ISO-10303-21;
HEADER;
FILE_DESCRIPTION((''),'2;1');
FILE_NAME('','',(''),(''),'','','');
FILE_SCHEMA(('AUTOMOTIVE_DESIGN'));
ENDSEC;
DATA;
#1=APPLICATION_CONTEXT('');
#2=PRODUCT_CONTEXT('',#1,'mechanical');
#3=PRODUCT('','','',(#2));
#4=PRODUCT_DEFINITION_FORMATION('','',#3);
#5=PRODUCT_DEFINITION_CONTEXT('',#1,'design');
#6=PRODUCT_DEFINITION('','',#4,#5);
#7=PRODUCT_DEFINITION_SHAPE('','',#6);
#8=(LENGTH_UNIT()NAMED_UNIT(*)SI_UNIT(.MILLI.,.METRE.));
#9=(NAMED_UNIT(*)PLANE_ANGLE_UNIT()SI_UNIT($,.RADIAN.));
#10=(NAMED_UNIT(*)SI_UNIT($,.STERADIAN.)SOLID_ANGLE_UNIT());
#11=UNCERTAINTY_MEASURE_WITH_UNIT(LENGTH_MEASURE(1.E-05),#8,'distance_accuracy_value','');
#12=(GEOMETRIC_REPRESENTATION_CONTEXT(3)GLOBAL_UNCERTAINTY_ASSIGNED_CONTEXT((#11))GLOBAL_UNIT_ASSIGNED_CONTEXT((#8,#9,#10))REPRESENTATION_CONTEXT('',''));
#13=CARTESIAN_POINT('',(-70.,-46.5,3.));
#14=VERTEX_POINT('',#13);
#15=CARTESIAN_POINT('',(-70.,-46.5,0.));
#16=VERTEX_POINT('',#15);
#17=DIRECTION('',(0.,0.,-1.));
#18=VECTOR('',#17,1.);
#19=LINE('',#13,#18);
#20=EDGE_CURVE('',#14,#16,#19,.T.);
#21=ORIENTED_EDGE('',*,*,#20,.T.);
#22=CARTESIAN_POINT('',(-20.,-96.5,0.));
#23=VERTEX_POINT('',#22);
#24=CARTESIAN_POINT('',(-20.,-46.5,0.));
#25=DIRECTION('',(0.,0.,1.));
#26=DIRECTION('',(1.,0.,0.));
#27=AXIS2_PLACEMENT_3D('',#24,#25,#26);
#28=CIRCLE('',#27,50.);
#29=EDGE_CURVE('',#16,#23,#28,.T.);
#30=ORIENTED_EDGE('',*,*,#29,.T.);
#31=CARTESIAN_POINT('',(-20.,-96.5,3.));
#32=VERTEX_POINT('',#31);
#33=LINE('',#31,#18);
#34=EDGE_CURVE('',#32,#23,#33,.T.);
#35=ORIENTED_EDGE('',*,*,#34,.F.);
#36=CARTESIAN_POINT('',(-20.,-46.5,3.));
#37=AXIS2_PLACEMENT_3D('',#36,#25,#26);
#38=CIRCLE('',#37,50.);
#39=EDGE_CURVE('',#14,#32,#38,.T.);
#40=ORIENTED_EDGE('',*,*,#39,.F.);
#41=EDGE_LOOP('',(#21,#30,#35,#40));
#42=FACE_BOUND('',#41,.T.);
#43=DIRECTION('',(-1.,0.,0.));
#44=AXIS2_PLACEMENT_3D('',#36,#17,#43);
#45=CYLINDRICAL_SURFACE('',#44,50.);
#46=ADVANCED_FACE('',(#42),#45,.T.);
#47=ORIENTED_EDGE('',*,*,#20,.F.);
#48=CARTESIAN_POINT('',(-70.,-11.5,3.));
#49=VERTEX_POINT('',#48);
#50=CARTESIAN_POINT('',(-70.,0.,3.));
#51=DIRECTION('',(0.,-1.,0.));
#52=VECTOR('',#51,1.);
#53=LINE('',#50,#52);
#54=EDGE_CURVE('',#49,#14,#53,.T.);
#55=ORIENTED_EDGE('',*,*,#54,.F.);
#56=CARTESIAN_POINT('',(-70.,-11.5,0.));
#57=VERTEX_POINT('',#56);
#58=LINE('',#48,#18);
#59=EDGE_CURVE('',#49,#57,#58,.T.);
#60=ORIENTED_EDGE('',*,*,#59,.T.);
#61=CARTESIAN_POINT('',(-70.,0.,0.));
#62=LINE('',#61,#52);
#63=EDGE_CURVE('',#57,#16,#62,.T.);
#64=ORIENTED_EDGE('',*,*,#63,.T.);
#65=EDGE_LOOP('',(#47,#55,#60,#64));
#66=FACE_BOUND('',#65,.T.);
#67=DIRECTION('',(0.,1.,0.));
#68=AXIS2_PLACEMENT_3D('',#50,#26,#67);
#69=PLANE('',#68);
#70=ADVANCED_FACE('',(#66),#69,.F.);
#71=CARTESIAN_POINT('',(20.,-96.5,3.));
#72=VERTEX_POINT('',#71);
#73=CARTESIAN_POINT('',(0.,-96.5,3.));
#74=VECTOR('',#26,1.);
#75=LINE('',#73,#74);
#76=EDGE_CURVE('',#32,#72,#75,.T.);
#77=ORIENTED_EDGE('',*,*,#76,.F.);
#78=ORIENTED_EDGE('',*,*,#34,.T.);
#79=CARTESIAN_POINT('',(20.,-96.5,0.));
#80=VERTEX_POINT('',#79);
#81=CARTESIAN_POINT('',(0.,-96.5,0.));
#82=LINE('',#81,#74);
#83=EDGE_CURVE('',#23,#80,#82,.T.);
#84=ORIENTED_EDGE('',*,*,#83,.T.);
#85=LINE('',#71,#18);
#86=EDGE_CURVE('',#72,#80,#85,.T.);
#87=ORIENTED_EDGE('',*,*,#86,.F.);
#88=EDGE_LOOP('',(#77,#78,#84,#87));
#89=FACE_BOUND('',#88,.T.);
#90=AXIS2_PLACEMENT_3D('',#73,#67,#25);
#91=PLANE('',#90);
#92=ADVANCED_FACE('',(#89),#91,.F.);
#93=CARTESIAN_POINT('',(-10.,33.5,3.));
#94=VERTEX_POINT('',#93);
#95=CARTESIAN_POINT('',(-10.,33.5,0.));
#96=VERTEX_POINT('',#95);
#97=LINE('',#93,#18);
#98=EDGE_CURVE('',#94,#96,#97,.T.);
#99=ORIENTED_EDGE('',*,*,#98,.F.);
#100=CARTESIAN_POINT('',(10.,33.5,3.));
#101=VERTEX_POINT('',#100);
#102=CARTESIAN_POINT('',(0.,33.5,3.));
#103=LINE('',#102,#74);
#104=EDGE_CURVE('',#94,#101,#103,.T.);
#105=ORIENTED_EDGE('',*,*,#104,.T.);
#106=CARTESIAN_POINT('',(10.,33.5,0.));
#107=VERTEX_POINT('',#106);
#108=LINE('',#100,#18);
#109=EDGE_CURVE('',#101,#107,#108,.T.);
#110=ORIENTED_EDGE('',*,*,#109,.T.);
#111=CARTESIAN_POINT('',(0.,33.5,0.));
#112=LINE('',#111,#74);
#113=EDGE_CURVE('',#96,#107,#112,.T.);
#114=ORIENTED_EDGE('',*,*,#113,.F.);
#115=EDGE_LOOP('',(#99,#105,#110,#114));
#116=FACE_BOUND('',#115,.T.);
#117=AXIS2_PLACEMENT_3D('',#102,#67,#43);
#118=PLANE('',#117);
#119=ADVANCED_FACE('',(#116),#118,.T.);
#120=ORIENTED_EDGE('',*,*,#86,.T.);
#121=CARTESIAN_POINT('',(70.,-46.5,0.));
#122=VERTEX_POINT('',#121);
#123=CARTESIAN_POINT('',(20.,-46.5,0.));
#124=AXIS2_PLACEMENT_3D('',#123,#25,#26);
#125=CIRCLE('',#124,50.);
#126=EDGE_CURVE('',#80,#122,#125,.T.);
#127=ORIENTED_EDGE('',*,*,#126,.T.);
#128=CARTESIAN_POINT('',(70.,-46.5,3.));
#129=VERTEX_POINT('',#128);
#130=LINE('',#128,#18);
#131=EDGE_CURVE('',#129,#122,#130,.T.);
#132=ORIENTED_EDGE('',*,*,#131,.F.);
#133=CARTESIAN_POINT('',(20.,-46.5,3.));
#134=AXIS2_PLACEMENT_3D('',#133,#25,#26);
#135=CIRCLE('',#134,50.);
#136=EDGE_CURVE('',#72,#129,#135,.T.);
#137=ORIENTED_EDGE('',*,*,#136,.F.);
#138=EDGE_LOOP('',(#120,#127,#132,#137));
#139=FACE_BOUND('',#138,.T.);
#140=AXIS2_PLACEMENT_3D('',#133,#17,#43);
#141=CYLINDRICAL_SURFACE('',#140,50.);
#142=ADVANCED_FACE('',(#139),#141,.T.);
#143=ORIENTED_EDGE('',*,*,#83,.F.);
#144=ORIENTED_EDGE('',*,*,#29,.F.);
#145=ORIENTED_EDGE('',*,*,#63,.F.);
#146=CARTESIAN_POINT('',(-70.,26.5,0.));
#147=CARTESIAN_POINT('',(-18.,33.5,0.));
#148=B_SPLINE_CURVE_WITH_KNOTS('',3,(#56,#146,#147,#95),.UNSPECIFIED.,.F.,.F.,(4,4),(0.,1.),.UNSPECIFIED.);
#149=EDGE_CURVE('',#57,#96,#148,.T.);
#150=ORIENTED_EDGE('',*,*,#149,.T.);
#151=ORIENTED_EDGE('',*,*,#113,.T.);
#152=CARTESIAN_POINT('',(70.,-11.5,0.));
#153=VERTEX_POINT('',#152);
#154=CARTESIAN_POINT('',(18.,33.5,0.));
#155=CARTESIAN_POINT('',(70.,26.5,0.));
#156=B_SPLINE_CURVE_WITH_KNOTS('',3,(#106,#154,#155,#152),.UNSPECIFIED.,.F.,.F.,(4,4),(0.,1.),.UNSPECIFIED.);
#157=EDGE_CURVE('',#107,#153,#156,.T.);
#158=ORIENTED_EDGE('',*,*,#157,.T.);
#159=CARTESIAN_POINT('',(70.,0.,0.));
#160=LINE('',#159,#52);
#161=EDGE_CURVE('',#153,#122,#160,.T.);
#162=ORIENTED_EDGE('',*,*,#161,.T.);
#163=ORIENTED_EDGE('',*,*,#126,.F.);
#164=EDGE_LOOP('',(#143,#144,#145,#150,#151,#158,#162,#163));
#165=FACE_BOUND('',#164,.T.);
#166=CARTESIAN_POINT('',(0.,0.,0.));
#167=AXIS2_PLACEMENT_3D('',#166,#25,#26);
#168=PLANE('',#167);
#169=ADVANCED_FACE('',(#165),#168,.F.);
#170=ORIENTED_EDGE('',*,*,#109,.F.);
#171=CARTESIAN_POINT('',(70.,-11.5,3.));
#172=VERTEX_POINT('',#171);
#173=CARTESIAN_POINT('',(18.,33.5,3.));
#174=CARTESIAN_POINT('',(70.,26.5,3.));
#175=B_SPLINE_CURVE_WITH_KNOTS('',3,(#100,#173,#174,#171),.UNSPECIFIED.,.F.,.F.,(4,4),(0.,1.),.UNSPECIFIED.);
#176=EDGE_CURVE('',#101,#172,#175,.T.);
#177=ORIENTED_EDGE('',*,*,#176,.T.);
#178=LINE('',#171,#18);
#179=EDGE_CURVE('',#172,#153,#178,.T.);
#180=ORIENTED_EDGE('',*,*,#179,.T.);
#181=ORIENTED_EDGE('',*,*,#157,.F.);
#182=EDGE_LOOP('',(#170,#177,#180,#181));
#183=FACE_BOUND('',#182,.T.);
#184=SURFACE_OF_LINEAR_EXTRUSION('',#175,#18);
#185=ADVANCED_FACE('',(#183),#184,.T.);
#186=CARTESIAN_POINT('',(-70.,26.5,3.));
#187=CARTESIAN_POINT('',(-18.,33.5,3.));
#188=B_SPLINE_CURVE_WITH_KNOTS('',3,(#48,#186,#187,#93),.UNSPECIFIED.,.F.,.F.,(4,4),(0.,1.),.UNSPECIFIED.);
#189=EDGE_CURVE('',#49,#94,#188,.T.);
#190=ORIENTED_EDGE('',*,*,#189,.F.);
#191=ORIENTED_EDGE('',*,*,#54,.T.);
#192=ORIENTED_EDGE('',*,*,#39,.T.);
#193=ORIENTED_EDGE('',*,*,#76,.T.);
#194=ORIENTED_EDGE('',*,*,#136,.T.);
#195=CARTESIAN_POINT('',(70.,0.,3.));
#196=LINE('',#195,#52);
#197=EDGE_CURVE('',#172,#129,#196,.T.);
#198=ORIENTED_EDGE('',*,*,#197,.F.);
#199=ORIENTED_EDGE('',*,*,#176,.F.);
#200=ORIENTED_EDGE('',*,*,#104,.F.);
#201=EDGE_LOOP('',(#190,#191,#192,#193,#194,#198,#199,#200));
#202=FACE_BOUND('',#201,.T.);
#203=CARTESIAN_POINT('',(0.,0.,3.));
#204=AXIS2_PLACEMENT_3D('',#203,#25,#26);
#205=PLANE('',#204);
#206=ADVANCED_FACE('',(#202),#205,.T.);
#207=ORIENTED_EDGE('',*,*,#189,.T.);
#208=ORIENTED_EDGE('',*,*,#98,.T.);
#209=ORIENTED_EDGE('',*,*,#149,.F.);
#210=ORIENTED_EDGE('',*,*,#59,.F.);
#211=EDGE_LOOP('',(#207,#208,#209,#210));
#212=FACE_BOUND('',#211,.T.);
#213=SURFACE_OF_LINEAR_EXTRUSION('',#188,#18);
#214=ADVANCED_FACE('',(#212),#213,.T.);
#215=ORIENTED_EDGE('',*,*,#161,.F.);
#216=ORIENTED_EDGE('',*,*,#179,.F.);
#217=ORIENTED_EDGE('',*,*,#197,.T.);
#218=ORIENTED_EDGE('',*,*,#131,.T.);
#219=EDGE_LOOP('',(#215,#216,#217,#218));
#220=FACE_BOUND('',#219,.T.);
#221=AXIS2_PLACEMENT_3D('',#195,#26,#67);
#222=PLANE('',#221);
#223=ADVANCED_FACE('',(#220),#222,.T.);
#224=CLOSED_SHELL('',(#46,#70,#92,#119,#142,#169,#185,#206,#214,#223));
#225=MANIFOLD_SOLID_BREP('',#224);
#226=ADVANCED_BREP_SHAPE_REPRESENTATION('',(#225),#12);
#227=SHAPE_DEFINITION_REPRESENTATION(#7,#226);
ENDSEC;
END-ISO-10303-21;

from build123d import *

# Parameters (mm, degrees)
BOSS_EXTRUDE1_DEPTH = 3


with BuildPart() as part:
    # Sketch1 → Boss-Extrude1 (new body)
    with BuildSketch(Plane.XY):
        with BuildLine():
            add(Edge.make_bspline(
                [(-70, -11.5), (-70, 26.5), (-18, 33.5), (-10, 33.5)],
                knots=[0, 0, 0, 0, 1, 1, 1, 1], degree=3))
            Line((-70, -11.5), (-70, -46.5))
            ThreePointArc((-70, -46.5), (-55.355339059, -81.855339059), (-20, -96.5))
            Line((-20, -96.5), (20, -96.5))
            ThreePointArc((20, -96.5), (55.355339059, -81.855339059), (70, -46.5))
            Line((70, -46.5), (70, -11.5))
            add(Edge.make_bspline(
                [(10, 33.5), (18, 33.5), (70, 26.5), (70, -11.5)],
                knots=[0, 0, 0, 0, 1, 1, 1, 1], degree=3))
            Line((10, 33.5), (-10, 33.5))
        make_face()
    extrude(amount=BOSS_EXTRUDE1_DEPTH)


solid = part.part
